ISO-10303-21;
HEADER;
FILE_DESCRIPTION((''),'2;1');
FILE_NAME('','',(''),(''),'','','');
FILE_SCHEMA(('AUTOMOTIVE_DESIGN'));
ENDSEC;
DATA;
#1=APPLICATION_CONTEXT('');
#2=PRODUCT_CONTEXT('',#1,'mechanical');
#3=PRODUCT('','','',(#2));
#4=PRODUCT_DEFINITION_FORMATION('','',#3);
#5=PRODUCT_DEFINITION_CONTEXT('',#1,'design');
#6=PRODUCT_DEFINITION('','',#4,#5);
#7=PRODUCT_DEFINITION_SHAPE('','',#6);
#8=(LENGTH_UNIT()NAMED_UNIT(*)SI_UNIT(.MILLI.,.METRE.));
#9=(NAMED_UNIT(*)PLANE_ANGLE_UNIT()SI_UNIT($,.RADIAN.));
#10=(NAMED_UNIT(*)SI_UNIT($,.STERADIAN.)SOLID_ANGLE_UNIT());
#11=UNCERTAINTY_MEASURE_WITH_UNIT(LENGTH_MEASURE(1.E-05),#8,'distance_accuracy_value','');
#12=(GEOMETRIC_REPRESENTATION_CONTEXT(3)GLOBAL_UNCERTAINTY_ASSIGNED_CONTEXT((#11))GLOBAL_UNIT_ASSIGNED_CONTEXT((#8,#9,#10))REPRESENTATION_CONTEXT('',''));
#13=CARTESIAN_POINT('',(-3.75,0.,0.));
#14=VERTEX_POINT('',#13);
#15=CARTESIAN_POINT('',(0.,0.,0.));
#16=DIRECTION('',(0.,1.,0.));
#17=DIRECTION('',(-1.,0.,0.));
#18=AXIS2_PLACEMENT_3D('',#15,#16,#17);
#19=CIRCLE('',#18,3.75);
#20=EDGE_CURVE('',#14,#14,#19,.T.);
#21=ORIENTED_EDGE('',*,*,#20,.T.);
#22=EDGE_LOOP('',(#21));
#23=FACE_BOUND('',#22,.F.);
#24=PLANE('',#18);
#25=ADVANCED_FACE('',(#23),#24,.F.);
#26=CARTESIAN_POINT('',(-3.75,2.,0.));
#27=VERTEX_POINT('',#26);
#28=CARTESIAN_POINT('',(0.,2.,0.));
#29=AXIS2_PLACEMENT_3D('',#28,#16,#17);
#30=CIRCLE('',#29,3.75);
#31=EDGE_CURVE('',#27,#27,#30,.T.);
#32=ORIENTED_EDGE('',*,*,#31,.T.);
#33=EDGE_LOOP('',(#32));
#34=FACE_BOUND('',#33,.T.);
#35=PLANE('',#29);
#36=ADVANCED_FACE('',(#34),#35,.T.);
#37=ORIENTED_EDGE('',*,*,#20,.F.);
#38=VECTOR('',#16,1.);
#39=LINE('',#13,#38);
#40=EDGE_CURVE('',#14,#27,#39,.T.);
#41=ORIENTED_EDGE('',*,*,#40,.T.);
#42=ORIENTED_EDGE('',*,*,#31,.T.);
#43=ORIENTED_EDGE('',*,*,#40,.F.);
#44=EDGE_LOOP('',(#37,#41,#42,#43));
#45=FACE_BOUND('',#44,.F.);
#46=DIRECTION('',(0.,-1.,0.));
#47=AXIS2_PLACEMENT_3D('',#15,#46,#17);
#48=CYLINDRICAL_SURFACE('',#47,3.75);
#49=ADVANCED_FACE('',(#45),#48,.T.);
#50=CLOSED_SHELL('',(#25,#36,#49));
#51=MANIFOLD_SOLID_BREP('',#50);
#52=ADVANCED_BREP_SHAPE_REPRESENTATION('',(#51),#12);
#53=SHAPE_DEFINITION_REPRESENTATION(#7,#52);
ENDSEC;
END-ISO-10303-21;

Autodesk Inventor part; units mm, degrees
ref_plane "YZ Plane" through (0, 0, 0) normal (1, 0, 0) x (0, 1, 0)
ref_plane "XZ Plane" through (0, 0, 0) normal (0, 1, 0) x (-1, 0, 0)
ref_plane "XY Plane" through (0, 0, 0) normal (0, 0, 1) x (1, 0, 0)
sketch "Sketch1" plane through (0, 0, 0) normal (0, 1, 0) x (-1, 0, 0)
  circle A0 centre (0, 0) radius 3.75
  dimension "d0" = 7.5
extrude "Extrusion1" add sketch "Sketch1" along normal blind 2
properties part number "LG_CRD_8521B_Lens"
